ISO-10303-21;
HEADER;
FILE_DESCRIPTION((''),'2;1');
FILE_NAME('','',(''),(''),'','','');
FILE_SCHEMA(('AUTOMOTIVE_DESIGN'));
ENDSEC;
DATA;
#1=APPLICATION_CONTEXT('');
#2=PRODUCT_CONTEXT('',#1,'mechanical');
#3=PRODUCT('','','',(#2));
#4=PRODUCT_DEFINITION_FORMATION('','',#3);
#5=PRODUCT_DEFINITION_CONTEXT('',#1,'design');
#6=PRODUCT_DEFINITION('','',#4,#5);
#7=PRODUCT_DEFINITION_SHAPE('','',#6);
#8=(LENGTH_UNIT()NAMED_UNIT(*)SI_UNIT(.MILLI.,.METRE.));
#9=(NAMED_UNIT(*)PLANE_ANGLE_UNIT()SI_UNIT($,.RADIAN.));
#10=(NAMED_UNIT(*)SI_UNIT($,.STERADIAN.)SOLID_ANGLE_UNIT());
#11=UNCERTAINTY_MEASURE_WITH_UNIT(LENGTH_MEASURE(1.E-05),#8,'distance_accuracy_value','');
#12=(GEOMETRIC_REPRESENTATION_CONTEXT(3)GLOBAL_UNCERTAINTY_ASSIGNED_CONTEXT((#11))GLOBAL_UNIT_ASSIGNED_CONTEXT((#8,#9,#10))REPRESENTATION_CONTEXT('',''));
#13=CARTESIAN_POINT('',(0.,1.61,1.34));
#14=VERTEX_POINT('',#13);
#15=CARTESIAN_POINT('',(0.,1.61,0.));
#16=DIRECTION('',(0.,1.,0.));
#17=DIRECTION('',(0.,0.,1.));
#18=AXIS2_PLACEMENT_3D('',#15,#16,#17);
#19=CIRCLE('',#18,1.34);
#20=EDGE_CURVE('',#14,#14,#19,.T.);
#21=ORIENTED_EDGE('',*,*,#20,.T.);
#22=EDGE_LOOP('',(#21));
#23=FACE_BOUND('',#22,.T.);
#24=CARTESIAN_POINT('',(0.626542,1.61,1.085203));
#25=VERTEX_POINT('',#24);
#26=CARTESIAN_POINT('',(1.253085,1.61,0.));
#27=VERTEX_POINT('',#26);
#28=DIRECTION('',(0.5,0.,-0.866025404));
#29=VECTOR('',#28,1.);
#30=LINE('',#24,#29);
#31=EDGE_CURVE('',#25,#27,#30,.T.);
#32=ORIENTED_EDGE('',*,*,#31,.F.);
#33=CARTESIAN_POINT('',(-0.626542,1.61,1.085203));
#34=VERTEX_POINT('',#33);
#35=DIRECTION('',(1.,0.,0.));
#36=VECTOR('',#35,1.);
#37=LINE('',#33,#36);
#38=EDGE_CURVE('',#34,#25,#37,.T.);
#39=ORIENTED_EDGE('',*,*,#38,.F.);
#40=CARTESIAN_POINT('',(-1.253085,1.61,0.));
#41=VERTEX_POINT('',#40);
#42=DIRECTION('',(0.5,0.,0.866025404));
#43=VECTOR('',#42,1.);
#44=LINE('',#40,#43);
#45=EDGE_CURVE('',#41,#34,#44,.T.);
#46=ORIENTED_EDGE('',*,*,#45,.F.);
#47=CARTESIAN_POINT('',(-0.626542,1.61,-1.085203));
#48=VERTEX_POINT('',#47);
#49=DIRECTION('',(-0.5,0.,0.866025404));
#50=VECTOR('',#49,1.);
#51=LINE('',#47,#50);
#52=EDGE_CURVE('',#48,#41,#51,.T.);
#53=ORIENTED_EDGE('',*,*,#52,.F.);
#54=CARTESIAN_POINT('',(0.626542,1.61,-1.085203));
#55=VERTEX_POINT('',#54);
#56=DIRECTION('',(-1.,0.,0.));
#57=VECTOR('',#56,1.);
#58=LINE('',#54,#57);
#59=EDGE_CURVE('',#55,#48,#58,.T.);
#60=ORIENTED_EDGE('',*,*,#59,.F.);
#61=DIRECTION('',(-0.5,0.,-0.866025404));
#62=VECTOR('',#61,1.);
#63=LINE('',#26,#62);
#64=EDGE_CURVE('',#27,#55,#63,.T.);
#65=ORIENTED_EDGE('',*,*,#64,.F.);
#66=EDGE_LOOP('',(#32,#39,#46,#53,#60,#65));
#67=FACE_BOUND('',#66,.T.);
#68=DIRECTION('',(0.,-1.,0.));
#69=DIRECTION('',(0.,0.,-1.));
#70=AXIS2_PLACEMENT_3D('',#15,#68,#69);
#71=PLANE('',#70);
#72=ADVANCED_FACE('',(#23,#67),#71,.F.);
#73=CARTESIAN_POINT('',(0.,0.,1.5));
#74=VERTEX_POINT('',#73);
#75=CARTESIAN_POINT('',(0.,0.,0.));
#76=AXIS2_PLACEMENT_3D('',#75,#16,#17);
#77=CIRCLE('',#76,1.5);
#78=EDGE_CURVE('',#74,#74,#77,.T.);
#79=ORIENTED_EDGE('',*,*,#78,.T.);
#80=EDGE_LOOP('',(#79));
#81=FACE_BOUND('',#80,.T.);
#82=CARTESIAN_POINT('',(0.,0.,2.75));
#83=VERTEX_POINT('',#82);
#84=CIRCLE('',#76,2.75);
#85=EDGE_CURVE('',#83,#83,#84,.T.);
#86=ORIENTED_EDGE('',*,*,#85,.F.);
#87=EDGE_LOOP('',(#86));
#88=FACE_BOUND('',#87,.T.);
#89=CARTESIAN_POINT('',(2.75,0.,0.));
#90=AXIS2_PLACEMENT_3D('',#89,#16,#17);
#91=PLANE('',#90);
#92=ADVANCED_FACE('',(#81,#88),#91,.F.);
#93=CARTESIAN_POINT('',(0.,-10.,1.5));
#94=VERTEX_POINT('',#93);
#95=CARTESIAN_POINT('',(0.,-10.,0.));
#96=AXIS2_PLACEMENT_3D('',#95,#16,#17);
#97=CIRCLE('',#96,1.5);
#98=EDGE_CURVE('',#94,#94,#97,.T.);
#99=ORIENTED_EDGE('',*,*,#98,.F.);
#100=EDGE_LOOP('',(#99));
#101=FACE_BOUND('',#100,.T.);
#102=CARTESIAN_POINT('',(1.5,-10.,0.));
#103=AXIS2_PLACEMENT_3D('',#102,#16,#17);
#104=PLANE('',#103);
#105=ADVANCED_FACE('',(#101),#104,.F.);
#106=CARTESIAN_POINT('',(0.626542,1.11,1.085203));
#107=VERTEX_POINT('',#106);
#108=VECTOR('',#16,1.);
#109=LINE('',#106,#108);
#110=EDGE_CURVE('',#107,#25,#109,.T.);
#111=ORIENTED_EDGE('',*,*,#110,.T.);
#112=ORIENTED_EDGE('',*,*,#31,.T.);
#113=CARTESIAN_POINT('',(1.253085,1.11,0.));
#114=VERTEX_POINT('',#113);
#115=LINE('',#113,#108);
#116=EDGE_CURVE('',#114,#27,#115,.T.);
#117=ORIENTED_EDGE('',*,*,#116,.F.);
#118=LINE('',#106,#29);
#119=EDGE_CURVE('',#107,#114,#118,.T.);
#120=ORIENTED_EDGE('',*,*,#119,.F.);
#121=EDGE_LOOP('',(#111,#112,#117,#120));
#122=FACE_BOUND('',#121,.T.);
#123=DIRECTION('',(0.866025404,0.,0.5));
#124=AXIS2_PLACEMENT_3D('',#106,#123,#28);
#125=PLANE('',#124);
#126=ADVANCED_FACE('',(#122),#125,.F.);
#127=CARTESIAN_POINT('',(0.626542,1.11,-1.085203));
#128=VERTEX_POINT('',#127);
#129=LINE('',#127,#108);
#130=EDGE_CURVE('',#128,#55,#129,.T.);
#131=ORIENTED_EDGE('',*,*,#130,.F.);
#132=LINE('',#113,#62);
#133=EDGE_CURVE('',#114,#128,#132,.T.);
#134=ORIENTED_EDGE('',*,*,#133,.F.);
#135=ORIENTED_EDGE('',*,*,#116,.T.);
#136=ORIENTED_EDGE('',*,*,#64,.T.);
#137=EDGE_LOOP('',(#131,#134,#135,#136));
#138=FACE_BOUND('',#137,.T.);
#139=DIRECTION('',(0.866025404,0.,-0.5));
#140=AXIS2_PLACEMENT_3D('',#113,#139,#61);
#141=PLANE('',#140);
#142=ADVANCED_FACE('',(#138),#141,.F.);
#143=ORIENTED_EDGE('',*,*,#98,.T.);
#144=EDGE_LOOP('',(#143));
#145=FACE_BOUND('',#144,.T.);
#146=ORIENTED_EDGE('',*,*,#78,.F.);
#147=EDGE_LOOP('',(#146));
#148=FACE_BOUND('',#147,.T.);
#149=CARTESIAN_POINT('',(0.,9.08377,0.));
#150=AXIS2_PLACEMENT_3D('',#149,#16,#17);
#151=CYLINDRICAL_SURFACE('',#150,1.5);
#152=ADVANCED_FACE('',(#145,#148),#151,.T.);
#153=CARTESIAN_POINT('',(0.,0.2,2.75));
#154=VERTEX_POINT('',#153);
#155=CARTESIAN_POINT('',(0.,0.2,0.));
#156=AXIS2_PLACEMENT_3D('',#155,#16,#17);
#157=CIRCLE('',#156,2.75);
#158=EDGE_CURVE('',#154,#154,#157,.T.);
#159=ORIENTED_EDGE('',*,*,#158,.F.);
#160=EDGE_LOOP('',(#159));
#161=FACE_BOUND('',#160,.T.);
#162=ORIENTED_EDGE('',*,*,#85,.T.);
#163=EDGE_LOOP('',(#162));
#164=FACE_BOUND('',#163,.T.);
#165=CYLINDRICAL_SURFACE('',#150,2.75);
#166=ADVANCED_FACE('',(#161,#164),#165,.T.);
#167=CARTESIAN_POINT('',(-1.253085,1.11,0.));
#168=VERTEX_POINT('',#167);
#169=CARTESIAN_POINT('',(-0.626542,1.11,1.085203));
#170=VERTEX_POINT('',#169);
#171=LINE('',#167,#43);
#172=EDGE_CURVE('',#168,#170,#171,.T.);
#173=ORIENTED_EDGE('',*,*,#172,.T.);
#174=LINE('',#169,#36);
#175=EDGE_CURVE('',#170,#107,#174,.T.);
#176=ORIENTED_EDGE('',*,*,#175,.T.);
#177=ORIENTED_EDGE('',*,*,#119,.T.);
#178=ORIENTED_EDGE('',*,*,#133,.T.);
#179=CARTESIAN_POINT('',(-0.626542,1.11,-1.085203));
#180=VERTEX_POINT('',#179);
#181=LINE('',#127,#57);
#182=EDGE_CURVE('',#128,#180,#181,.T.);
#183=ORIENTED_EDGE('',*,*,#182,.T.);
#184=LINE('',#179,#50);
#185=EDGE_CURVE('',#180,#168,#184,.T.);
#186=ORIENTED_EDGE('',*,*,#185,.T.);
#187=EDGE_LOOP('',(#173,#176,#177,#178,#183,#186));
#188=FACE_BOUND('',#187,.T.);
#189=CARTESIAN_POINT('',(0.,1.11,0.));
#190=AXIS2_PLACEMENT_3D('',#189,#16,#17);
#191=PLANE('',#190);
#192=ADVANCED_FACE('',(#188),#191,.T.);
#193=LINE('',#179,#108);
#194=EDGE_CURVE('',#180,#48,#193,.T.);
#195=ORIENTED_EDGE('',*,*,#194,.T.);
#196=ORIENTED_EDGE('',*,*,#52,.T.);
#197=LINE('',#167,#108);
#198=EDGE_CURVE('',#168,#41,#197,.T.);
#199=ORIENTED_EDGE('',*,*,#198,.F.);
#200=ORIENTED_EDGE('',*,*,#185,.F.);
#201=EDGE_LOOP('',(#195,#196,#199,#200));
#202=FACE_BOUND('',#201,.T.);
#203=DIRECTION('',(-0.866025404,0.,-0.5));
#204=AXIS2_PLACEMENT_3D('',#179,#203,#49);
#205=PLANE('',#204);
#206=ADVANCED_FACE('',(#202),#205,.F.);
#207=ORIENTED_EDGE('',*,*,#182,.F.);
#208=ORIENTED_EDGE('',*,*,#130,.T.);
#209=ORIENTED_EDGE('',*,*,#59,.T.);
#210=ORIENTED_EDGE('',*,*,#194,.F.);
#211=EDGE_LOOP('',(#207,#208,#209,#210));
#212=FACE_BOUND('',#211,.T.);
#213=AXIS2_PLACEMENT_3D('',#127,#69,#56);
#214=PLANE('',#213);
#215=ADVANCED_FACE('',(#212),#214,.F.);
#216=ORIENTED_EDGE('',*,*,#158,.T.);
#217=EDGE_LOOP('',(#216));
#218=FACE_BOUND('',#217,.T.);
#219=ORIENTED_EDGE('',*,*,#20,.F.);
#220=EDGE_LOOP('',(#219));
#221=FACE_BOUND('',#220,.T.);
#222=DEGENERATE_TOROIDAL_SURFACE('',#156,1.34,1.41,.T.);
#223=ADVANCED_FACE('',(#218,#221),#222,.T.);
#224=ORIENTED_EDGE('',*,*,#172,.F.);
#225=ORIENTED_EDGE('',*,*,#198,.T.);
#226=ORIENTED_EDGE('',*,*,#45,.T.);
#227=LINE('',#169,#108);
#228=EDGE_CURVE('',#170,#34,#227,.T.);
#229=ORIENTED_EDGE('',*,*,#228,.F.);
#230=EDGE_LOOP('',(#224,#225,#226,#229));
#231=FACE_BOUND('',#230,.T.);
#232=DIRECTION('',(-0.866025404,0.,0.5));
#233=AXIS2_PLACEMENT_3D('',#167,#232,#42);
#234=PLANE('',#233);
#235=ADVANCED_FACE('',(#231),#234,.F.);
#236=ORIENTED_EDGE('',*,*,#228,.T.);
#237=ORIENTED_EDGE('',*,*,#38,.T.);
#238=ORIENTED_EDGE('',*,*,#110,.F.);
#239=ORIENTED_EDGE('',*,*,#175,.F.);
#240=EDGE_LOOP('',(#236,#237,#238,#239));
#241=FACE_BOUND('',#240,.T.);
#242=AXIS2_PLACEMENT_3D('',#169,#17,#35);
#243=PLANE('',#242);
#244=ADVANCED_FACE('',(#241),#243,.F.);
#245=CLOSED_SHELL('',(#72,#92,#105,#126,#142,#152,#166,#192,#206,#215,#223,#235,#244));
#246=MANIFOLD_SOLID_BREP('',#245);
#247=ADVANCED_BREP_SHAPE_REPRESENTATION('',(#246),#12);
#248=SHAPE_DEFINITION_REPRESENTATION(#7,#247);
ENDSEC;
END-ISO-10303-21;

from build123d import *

# Parameters (mm, degrees)
CUT_EXTRUDE1_DEPTH = 0.5


with BuildPart() as part:
    # Sketch1 → Revolve1 (revolve)
    with BuildSketch(Plane.XY):
        with BuildLine():
            Line((0, 1.61), (1.34, 1.61))
            ThreePointArc((1.34, 1.61), (2.337020561, 1.197020561), (2.75, 0.2))
            Line((2.75, 0.2), (2.75, 0))
            Line((2.75, 0), (1.5, 0))
            Line((1.5, 0), (1.5, -10))
            Line((1.5, -10), (0, -10))
            Line((0, -10), (0, 1.61))
        make_face()
    revolve(axis=Axis((0, 9.083769969, 0), (0, -1, 0)))

    # Sketch2 → Cut-Extrude1 (cut)
    with BuildSketch(Plane(origin=(0, 1.61, 0), x_dir=(1, 0, 0), z_dir=(0, 1, 0))):
        Polygon((0.62654248, 1.085203409), (-0.62654248, 1.085203409), (-1.253084961, 0), (-0.62654248, -1.085203409), (0.62654248, -1.085203409), (1.253084961, 0), align=None)
    extrude(amount=-CUT_EXTRUDE1_DEPTH, mode=Mode.SUBTRACT)


solid = part.part
